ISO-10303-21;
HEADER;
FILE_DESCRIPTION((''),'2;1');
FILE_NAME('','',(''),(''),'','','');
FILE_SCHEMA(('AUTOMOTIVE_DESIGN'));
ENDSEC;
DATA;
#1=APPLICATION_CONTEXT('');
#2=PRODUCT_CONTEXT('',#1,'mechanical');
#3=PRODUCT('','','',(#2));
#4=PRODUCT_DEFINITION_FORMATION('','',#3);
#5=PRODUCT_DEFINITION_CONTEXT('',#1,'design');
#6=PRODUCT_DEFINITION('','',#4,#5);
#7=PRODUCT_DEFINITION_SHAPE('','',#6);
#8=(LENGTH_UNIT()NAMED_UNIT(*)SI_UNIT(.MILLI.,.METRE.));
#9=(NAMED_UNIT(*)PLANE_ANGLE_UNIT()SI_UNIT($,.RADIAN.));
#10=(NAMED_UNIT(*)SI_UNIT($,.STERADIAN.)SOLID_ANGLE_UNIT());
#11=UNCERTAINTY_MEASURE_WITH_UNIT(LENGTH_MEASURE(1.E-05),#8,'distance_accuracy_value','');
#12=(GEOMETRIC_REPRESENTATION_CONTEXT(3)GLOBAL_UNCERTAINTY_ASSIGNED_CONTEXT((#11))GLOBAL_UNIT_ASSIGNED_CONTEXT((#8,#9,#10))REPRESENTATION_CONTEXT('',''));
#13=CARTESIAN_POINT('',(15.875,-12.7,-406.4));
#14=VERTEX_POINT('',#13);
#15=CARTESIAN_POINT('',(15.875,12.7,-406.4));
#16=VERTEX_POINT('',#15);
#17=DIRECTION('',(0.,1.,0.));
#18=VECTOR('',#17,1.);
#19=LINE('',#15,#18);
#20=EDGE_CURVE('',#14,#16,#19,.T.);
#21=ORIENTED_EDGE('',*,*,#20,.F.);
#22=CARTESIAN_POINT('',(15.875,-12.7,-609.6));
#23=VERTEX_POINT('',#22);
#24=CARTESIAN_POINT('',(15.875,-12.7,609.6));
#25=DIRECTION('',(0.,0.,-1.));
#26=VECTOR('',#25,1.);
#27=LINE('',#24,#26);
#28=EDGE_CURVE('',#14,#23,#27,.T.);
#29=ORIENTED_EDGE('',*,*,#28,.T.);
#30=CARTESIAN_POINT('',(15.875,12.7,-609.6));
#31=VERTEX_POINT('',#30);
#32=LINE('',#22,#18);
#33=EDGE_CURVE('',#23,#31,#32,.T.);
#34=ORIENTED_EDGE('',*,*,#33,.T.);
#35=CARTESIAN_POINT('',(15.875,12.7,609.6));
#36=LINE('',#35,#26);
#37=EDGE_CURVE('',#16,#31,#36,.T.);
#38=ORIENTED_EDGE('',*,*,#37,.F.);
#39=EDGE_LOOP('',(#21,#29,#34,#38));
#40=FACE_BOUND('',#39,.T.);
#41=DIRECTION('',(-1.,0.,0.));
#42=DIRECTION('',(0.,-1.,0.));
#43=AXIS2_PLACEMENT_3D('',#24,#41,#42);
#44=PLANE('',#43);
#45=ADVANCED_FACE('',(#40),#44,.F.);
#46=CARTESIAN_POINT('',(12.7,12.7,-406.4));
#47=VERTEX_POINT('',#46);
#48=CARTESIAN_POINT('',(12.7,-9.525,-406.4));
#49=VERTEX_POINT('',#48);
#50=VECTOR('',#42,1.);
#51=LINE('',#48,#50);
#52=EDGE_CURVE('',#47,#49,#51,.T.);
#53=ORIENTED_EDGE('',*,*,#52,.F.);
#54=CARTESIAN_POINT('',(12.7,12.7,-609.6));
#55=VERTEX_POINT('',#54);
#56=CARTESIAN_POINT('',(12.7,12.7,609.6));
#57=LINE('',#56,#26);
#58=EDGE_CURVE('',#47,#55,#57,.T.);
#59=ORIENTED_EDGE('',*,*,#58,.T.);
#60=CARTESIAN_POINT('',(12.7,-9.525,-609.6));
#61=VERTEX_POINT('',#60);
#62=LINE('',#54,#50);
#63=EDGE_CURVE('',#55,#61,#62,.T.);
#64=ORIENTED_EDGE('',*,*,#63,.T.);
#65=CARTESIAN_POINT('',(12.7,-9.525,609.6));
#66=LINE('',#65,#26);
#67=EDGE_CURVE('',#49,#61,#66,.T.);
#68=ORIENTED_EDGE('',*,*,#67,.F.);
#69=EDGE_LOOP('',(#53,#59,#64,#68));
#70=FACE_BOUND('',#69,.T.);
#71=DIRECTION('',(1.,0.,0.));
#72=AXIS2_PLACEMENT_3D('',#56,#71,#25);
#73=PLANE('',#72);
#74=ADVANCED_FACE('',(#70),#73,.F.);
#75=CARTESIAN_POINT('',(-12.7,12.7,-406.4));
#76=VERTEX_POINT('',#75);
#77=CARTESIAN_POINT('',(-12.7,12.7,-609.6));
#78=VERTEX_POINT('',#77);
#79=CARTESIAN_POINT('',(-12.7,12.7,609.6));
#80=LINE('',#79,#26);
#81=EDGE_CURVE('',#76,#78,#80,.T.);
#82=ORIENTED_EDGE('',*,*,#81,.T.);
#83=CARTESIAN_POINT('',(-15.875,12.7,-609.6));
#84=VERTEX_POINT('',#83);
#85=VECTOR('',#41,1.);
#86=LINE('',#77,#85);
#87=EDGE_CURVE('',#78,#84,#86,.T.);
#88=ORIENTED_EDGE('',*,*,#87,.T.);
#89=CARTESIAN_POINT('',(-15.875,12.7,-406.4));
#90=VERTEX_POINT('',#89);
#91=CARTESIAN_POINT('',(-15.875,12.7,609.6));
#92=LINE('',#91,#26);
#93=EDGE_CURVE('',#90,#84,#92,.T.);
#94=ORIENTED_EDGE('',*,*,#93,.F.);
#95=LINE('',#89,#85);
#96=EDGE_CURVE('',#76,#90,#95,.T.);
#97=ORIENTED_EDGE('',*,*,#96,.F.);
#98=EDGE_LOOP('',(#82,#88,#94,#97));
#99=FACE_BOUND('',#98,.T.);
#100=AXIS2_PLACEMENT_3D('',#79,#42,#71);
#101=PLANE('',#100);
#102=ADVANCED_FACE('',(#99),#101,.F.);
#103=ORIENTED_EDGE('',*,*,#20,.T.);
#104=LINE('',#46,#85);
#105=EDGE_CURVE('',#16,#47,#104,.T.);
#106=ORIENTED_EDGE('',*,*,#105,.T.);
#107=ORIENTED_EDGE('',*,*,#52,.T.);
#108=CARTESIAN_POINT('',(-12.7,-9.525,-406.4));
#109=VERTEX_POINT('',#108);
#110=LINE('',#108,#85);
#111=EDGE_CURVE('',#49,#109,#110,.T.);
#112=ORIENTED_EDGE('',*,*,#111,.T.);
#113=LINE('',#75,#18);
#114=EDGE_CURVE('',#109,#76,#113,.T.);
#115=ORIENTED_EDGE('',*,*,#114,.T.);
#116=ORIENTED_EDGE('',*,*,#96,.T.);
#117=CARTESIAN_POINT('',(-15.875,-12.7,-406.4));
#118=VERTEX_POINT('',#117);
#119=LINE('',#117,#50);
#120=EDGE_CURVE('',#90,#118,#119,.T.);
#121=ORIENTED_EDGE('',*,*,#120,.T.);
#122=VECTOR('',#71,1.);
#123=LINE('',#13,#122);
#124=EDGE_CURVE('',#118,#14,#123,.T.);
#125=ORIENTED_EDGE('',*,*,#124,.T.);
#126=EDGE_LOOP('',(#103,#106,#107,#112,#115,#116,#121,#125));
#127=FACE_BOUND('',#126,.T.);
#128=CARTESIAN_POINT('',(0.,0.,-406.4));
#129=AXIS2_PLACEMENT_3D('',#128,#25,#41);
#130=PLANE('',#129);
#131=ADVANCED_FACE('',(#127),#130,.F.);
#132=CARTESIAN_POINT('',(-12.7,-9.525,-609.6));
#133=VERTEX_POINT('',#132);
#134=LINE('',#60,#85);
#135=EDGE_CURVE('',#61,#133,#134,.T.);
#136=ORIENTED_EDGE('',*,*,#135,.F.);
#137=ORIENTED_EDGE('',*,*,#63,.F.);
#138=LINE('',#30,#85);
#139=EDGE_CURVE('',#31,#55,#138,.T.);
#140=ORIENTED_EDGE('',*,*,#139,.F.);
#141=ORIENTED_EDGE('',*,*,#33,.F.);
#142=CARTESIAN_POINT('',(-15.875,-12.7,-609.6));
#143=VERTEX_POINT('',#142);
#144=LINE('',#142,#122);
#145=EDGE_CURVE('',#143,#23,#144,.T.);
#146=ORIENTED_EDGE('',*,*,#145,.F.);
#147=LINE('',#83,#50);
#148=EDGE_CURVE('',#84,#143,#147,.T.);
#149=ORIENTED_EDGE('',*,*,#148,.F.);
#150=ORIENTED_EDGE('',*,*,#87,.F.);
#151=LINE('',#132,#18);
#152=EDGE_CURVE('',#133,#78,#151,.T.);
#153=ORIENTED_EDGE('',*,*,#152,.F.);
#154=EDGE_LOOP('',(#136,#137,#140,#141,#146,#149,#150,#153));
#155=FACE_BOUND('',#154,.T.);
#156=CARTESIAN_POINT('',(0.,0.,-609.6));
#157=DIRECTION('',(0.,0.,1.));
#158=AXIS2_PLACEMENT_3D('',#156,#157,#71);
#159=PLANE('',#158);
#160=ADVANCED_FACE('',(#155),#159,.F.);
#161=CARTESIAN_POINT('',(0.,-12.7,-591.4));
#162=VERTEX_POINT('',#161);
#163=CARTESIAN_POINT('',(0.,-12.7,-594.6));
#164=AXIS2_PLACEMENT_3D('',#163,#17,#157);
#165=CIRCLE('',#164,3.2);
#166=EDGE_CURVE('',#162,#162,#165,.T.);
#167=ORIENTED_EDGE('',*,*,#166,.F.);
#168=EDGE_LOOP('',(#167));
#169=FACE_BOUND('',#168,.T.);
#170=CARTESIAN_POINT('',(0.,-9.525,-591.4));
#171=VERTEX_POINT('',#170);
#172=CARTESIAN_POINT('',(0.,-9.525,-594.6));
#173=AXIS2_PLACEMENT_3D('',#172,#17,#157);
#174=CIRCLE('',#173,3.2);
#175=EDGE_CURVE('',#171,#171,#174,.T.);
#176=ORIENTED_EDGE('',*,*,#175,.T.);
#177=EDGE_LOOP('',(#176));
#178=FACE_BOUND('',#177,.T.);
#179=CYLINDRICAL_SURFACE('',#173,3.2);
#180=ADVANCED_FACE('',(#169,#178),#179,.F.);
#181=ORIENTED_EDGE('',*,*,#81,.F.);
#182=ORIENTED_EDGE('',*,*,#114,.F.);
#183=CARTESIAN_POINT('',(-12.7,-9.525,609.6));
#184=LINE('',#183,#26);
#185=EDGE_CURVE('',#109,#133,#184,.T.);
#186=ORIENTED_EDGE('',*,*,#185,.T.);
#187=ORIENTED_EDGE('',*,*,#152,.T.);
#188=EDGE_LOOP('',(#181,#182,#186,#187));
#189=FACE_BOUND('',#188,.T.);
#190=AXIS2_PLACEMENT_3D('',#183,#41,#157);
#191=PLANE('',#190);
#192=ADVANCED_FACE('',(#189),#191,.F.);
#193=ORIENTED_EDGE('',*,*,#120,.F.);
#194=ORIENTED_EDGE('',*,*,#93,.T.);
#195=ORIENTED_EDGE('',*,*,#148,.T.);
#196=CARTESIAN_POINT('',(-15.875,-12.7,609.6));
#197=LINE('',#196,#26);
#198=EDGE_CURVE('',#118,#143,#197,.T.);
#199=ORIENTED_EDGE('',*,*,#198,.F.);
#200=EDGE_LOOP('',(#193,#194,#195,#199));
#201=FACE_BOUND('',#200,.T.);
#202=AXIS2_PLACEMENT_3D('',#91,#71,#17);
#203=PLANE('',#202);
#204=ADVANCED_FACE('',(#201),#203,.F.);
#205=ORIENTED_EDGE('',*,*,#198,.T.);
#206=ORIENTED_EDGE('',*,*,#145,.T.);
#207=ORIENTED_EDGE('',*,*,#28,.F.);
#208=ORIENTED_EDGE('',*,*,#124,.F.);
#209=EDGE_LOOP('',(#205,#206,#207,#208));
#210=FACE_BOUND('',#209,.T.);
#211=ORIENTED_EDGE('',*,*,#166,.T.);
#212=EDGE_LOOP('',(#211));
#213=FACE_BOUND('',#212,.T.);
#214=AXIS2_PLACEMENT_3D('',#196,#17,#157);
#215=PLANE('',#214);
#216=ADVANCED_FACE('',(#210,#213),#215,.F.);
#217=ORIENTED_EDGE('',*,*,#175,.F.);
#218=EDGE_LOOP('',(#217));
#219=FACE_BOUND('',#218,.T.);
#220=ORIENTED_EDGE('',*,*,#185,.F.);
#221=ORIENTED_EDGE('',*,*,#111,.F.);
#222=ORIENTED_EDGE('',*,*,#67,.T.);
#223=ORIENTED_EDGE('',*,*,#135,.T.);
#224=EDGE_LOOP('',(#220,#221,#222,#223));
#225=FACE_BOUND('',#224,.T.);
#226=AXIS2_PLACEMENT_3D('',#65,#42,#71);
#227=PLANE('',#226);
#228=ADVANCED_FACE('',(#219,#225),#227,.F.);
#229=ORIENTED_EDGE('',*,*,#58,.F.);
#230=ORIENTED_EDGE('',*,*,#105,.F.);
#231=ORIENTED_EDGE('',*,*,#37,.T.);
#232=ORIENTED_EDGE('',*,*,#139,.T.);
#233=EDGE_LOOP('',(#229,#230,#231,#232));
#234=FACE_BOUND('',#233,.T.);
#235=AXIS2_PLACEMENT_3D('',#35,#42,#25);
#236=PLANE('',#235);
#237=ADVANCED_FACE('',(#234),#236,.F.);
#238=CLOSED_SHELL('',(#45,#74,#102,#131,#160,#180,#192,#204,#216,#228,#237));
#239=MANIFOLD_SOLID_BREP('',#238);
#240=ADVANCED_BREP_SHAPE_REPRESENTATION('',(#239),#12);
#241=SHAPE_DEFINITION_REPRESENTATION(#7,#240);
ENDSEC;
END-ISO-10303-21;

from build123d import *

# Parameters (mm, degrees)
BOSS_EXTRUDE2_DEPTH  = 609.6
CUT_EXTRUDE1_DEPTH   = 1016
M6_CLEARANCE_HOLE1_D = 6.4


with BuildPart() as part:
    # Sketch3 → Boss-Extrude2 (new, symmetric)
    with BuildSketch(Plane.XY):
        Polygon((-15.875, 12.7), (-15.875, -12.7), (15.875, -12.7), (15.875, 12.7), (12.7, 12.7), (12.7, -9.525), (-12.7, -9.525), (-12.7, 12.7), align=None)
    extrude(amount=BOSS_EXTRUDE2_DEPTH, both=True)

    # Sketch5 → Cut-Extrude1 (cut)
    with BuildSketch(Plane.XY.offset(609.6)):
        Polygon((-15.875, 12.7), (-12.7, 12.7), (-12.7, -9.525), (12.7, -9.525), (12.7, 12.7), (15.875, 12.7), (15.875, -12.7), (-15.875, -12.7), align=None)
    extrude(amount=-CUT_EXTRUDE1_DEPTH, mode=Mode.SUBTRACT)

    # M6 Clearance Hole1 (through all)
    with Locations(Plane(origin=(0, -9.525, 0), x_dir=(1, 0, 0), z_dir=(0, 1, 0))):
        with Locations((0, 594.6)):
            Hole(M6_CLEARANCE_HOLE1_D / 2)


solid = part.part
